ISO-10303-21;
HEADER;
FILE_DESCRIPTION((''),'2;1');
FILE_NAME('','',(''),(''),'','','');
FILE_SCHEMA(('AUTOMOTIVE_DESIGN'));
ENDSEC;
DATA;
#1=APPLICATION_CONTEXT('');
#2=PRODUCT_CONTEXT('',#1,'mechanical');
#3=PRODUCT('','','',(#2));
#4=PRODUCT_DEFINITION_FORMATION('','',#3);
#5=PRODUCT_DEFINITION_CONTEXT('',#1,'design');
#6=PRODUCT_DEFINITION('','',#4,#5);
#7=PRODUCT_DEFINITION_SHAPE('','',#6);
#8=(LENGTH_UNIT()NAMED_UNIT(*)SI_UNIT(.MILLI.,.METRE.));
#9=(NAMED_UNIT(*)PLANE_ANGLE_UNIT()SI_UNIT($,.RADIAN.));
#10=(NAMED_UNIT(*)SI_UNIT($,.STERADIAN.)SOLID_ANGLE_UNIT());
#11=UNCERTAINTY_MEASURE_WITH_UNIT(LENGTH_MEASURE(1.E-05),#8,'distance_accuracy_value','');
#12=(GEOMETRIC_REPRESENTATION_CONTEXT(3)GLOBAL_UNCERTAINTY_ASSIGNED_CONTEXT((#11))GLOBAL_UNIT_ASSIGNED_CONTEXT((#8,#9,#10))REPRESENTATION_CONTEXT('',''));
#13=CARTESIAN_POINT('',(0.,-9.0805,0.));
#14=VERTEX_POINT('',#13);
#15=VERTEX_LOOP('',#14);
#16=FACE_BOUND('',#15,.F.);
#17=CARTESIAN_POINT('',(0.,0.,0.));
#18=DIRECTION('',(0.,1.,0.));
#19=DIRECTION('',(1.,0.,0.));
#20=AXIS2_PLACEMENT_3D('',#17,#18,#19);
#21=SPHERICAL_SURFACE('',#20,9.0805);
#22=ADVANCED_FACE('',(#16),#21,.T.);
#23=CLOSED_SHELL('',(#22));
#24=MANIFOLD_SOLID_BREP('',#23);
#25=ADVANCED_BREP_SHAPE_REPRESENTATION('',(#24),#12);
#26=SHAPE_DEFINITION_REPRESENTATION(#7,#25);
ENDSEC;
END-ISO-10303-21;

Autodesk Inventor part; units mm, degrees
ref_plane "YZ Plane" through (0, 0, 0) normal (1, 0, 0) x (0, 1, 0)
ref_plane "XZ Plane" through (0, 0, 0) normal (0, 1, 0) x (-1, 0, 0)
ref_plane "XY Plane" through (0, 0, 0) normal (0, 0, 1) x (1, 0, 0)
sketch "Sketch1" plane through (0, 0, 0) normal (0, 0, 1) x (1, 0, 0)
  circle A0 centre (0, 0) radius 9.0805
  line L0 (0, 9.0805) -> (0, -9.0805)
  dimension "d0" = 18.161
revolve "Revolution1" add sketch "Sketch1" angle 360 about axis through (0, 9.0805, 0) along (0, -1, 0)
properties part number "Marble"
